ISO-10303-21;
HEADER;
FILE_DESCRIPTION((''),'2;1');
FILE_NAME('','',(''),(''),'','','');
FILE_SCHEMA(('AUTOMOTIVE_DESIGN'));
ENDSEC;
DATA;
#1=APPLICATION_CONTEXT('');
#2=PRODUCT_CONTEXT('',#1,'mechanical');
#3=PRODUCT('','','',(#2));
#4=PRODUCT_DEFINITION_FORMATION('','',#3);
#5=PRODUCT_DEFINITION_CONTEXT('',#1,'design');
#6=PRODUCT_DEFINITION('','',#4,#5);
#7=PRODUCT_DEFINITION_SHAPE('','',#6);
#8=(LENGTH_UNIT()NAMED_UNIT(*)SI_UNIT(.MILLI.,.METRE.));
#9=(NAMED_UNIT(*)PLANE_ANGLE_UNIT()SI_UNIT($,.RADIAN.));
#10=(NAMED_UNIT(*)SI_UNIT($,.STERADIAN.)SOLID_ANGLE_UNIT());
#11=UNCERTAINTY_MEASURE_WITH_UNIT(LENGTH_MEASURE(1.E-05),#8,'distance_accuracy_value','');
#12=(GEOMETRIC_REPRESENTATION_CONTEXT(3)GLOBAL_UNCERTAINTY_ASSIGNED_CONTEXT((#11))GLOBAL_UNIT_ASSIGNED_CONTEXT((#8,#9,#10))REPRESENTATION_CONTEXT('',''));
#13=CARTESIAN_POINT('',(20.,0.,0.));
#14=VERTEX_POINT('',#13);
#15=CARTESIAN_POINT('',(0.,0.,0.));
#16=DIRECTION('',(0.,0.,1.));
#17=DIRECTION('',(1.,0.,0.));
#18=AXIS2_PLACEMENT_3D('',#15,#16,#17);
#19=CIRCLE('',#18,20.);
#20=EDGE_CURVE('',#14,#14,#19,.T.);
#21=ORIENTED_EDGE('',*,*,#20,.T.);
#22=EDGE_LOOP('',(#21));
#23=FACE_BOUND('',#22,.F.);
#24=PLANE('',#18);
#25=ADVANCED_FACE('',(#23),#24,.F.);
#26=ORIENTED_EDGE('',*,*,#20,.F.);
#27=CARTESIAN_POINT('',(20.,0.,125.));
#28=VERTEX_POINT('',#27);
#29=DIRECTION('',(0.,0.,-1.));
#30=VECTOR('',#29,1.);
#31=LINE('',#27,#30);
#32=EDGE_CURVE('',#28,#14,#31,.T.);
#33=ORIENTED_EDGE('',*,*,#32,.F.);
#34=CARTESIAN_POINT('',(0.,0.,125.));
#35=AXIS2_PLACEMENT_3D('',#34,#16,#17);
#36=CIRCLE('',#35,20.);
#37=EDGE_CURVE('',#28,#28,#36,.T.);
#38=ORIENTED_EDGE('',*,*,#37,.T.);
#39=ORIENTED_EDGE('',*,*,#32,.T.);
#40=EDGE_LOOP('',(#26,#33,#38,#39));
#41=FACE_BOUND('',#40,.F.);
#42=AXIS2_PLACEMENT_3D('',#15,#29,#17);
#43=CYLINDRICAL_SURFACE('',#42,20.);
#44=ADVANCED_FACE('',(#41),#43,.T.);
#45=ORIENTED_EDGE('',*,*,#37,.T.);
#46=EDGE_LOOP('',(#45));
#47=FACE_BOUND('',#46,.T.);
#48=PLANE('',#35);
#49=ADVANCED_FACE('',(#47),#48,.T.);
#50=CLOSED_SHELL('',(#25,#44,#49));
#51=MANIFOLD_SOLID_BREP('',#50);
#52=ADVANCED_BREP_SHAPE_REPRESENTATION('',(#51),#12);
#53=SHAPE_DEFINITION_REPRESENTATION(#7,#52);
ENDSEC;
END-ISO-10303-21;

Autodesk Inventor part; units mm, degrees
ref_plane "YZ Plane" through (0, 0, 0) normal (1, 0, 0) x (0, 1, 0)
ref_plane "XZ Plane" through (0, 0, 0) normal (0, 1, 0) x (-1, 0, 0)
ref_plane "XY Plane" through (0, 0, 0) normal (0, 0, 1) x (1, 0, 0)
sketch "Sketch1" plane through (0, 0, 0) normal (0, 0, 1) x (1, 0, 0)
  point P0 (0, 0)
sketch "Sketch2" plane through (0, 0, 0) normal (0, 0, 1) x (1, 0, 0)
  circle A0 centre (0, 0) radius 20
  dimension "d0" = 40
extrude "Extrusion1" add sketch "Sketch2" along normal blind 50
sketch "Sketch3" plane through (0, 0, 50) normal (0, 0, 1) x (1, 0, 0)
  circle A0 centre (0, 0) radius 20
  dimension "d3" = 40
extrude "Extrusion2" add sketch "Sketch3" along normal blind 75
properties part number "pin20110114" material "Aluminum 6061"
